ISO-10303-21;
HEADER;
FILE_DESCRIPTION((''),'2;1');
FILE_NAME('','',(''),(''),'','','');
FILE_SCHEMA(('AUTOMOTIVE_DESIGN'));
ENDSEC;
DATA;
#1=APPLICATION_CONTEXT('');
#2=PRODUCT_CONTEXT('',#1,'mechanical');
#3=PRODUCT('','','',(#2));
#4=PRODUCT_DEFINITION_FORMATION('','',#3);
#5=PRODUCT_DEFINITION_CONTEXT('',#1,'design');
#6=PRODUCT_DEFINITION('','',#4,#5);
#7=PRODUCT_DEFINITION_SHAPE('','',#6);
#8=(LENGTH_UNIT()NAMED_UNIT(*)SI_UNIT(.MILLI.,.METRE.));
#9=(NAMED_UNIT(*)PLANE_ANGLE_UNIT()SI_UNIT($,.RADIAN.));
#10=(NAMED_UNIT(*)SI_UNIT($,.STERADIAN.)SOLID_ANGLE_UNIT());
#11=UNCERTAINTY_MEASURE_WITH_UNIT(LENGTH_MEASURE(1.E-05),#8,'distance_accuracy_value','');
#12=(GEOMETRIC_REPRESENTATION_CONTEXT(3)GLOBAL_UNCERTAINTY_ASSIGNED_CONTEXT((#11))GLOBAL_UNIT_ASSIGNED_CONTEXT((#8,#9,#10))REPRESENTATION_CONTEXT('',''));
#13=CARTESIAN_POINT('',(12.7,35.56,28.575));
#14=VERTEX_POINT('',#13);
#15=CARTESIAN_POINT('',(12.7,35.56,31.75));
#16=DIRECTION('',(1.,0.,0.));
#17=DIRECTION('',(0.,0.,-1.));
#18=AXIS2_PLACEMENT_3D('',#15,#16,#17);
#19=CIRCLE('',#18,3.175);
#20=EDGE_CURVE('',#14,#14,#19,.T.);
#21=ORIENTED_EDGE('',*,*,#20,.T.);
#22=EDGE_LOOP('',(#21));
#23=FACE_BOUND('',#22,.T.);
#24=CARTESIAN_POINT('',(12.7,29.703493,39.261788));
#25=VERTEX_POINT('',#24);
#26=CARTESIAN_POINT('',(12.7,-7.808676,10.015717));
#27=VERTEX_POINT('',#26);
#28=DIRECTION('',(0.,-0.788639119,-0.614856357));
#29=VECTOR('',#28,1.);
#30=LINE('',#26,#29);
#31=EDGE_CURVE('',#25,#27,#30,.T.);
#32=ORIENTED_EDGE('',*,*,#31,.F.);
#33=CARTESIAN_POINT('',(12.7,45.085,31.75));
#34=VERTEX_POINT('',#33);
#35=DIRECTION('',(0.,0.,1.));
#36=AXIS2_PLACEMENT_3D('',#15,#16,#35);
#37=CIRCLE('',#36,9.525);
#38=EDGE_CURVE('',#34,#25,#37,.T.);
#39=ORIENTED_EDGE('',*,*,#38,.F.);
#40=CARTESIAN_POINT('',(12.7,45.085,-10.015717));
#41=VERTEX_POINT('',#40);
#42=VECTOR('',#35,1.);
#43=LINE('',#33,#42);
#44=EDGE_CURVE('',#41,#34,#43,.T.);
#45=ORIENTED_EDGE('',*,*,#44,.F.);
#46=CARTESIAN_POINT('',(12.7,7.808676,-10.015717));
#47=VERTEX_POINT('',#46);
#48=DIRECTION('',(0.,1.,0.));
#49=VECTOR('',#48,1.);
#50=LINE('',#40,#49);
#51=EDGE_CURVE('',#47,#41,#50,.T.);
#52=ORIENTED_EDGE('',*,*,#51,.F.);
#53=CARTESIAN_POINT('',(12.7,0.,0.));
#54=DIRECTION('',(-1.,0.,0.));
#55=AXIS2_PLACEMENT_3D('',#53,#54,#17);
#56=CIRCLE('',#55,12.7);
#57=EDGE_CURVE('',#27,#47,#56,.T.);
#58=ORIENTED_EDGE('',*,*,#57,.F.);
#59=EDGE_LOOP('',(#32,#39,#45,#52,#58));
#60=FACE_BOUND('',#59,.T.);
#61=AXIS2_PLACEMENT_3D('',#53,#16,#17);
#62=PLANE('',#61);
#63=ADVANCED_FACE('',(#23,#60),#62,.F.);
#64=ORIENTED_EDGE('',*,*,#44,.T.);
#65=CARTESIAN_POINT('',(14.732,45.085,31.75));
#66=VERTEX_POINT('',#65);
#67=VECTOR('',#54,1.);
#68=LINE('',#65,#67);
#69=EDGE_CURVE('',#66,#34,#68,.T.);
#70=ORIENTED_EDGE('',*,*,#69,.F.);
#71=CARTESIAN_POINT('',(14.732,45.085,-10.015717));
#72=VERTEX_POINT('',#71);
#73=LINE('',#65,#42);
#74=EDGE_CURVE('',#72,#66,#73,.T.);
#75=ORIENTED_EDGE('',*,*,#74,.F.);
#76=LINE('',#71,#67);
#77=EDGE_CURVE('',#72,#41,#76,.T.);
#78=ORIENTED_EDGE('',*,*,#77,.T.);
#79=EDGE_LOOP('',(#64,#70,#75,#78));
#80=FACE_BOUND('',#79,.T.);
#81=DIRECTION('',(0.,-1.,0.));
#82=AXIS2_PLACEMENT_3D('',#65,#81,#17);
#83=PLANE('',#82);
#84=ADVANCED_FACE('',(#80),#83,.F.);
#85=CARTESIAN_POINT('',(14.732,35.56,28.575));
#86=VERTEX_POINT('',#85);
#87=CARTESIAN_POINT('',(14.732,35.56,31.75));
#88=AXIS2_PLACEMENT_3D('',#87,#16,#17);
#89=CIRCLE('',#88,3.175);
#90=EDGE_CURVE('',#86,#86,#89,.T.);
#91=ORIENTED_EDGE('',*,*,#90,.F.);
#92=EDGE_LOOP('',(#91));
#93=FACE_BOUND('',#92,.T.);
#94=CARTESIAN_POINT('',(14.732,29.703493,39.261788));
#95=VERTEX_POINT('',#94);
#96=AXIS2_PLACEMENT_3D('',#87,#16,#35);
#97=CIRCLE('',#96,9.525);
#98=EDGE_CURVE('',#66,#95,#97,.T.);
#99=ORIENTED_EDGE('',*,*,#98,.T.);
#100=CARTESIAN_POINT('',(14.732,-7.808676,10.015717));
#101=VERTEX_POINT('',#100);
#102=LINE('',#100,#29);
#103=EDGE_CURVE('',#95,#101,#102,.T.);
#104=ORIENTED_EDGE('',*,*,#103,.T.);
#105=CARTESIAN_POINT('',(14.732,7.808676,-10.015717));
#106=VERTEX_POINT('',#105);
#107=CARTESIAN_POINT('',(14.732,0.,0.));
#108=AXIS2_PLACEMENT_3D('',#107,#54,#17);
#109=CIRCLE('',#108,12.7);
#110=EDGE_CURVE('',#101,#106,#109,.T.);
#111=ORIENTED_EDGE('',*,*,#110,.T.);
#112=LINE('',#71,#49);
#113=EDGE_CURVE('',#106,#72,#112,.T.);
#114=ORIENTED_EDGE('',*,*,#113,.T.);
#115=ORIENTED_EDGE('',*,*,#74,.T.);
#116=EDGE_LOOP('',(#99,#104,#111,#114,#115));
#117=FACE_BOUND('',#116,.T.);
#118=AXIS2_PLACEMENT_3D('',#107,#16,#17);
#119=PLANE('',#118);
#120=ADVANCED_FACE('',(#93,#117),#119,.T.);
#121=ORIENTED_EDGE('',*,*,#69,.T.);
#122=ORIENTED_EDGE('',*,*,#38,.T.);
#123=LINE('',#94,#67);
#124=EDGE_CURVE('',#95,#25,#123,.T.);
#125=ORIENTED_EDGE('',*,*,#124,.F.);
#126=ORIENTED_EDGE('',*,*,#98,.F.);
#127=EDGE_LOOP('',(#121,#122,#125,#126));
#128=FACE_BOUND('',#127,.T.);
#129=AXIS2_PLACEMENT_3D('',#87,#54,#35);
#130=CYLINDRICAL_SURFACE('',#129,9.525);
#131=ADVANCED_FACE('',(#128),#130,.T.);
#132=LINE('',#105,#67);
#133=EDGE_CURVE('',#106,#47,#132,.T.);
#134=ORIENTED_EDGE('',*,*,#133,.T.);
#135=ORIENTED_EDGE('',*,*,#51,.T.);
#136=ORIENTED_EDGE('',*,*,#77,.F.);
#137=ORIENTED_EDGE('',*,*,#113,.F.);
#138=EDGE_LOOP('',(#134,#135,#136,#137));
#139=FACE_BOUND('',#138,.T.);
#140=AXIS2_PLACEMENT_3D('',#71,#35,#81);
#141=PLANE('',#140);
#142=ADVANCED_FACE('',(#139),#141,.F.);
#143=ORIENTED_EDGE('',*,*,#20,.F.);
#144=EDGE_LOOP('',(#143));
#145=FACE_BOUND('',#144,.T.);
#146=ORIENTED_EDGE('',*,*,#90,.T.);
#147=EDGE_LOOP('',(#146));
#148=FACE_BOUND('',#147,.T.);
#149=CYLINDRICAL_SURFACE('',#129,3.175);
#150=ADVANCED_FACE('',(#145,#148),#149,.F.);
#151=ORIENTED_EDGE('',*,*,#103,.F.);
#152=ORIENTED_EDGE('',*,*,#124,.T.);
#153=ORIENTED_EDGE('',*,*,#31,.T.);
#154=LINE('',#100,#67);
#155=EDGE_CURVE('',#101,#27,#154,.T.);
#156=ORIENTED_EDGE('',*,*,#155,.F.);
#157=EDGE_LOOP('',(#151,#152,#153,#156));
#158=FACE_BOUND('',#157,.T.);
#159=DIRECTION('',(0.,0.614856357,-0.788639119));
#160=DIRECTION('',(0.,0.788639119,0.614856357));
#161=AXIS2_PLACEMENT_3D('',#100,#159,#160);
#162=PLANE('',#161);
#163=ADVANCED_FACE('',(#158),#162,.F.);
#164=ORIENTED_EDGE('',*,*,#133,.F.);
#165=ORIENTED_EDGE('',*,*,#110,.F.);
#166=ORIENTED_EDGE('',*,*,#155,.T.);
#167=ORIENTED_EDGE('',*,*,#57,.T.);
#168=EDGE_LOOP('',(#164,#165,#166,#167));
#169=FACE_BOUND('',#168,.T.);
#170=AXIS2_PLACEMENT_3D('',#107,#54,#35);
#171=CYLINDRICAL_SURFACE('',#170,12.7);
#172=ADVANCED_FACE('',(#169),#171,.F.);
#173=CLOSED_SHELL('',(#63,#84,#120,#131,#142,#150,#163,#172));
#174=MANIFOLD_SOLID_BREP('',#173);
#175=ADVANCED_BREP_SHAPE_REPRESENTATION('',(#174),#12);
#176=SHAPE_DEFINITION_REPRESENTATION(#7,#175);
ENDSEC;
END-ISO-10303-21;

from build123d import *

# Parameters (mm, degrees)
BOSS_EXTRUDE1_START = 12.7
SKETCH1_R           = 3.175
BOSS_EXTRUDE1_DEPTH = 2.032


with BuildPart() as part:
    # Sketch1 → Boss-Extrude1 (new body)
    with BuildSketch(Plane(origin=(0, 0, 0), x_dir=(0, 0, -1), z_dir=(1, 0, 0)).offset(BOSS_EXTRUDE1_START)):
        with BuildLine():
            Line((-10.015716817, -7.808675729), (-39.261787613, 29.703493203))
            ThreePointArc((-39.261787613, 29.703493203), (-40.308879957, 39.739856323), (-31.75, 45.085))
            Line((-31.75, 45.085), (10.015716817, 45.085))
            Line((10.015716817, 45.085), (10.015716817, 7.808675729))
            ThreePointArc((10.015716817, 7.808675729), (-7.808675729, 10.015716817), (-10.015716817, -7.808675729))
        make_face()
        with Locations((-31.75, 35.56)):
            Circle(SKETCH1_R, mode=Mode.SUBTRACT)
    extrude(amount=BOSS_EXTRUDE1_DEPTH)


solid = part.part
